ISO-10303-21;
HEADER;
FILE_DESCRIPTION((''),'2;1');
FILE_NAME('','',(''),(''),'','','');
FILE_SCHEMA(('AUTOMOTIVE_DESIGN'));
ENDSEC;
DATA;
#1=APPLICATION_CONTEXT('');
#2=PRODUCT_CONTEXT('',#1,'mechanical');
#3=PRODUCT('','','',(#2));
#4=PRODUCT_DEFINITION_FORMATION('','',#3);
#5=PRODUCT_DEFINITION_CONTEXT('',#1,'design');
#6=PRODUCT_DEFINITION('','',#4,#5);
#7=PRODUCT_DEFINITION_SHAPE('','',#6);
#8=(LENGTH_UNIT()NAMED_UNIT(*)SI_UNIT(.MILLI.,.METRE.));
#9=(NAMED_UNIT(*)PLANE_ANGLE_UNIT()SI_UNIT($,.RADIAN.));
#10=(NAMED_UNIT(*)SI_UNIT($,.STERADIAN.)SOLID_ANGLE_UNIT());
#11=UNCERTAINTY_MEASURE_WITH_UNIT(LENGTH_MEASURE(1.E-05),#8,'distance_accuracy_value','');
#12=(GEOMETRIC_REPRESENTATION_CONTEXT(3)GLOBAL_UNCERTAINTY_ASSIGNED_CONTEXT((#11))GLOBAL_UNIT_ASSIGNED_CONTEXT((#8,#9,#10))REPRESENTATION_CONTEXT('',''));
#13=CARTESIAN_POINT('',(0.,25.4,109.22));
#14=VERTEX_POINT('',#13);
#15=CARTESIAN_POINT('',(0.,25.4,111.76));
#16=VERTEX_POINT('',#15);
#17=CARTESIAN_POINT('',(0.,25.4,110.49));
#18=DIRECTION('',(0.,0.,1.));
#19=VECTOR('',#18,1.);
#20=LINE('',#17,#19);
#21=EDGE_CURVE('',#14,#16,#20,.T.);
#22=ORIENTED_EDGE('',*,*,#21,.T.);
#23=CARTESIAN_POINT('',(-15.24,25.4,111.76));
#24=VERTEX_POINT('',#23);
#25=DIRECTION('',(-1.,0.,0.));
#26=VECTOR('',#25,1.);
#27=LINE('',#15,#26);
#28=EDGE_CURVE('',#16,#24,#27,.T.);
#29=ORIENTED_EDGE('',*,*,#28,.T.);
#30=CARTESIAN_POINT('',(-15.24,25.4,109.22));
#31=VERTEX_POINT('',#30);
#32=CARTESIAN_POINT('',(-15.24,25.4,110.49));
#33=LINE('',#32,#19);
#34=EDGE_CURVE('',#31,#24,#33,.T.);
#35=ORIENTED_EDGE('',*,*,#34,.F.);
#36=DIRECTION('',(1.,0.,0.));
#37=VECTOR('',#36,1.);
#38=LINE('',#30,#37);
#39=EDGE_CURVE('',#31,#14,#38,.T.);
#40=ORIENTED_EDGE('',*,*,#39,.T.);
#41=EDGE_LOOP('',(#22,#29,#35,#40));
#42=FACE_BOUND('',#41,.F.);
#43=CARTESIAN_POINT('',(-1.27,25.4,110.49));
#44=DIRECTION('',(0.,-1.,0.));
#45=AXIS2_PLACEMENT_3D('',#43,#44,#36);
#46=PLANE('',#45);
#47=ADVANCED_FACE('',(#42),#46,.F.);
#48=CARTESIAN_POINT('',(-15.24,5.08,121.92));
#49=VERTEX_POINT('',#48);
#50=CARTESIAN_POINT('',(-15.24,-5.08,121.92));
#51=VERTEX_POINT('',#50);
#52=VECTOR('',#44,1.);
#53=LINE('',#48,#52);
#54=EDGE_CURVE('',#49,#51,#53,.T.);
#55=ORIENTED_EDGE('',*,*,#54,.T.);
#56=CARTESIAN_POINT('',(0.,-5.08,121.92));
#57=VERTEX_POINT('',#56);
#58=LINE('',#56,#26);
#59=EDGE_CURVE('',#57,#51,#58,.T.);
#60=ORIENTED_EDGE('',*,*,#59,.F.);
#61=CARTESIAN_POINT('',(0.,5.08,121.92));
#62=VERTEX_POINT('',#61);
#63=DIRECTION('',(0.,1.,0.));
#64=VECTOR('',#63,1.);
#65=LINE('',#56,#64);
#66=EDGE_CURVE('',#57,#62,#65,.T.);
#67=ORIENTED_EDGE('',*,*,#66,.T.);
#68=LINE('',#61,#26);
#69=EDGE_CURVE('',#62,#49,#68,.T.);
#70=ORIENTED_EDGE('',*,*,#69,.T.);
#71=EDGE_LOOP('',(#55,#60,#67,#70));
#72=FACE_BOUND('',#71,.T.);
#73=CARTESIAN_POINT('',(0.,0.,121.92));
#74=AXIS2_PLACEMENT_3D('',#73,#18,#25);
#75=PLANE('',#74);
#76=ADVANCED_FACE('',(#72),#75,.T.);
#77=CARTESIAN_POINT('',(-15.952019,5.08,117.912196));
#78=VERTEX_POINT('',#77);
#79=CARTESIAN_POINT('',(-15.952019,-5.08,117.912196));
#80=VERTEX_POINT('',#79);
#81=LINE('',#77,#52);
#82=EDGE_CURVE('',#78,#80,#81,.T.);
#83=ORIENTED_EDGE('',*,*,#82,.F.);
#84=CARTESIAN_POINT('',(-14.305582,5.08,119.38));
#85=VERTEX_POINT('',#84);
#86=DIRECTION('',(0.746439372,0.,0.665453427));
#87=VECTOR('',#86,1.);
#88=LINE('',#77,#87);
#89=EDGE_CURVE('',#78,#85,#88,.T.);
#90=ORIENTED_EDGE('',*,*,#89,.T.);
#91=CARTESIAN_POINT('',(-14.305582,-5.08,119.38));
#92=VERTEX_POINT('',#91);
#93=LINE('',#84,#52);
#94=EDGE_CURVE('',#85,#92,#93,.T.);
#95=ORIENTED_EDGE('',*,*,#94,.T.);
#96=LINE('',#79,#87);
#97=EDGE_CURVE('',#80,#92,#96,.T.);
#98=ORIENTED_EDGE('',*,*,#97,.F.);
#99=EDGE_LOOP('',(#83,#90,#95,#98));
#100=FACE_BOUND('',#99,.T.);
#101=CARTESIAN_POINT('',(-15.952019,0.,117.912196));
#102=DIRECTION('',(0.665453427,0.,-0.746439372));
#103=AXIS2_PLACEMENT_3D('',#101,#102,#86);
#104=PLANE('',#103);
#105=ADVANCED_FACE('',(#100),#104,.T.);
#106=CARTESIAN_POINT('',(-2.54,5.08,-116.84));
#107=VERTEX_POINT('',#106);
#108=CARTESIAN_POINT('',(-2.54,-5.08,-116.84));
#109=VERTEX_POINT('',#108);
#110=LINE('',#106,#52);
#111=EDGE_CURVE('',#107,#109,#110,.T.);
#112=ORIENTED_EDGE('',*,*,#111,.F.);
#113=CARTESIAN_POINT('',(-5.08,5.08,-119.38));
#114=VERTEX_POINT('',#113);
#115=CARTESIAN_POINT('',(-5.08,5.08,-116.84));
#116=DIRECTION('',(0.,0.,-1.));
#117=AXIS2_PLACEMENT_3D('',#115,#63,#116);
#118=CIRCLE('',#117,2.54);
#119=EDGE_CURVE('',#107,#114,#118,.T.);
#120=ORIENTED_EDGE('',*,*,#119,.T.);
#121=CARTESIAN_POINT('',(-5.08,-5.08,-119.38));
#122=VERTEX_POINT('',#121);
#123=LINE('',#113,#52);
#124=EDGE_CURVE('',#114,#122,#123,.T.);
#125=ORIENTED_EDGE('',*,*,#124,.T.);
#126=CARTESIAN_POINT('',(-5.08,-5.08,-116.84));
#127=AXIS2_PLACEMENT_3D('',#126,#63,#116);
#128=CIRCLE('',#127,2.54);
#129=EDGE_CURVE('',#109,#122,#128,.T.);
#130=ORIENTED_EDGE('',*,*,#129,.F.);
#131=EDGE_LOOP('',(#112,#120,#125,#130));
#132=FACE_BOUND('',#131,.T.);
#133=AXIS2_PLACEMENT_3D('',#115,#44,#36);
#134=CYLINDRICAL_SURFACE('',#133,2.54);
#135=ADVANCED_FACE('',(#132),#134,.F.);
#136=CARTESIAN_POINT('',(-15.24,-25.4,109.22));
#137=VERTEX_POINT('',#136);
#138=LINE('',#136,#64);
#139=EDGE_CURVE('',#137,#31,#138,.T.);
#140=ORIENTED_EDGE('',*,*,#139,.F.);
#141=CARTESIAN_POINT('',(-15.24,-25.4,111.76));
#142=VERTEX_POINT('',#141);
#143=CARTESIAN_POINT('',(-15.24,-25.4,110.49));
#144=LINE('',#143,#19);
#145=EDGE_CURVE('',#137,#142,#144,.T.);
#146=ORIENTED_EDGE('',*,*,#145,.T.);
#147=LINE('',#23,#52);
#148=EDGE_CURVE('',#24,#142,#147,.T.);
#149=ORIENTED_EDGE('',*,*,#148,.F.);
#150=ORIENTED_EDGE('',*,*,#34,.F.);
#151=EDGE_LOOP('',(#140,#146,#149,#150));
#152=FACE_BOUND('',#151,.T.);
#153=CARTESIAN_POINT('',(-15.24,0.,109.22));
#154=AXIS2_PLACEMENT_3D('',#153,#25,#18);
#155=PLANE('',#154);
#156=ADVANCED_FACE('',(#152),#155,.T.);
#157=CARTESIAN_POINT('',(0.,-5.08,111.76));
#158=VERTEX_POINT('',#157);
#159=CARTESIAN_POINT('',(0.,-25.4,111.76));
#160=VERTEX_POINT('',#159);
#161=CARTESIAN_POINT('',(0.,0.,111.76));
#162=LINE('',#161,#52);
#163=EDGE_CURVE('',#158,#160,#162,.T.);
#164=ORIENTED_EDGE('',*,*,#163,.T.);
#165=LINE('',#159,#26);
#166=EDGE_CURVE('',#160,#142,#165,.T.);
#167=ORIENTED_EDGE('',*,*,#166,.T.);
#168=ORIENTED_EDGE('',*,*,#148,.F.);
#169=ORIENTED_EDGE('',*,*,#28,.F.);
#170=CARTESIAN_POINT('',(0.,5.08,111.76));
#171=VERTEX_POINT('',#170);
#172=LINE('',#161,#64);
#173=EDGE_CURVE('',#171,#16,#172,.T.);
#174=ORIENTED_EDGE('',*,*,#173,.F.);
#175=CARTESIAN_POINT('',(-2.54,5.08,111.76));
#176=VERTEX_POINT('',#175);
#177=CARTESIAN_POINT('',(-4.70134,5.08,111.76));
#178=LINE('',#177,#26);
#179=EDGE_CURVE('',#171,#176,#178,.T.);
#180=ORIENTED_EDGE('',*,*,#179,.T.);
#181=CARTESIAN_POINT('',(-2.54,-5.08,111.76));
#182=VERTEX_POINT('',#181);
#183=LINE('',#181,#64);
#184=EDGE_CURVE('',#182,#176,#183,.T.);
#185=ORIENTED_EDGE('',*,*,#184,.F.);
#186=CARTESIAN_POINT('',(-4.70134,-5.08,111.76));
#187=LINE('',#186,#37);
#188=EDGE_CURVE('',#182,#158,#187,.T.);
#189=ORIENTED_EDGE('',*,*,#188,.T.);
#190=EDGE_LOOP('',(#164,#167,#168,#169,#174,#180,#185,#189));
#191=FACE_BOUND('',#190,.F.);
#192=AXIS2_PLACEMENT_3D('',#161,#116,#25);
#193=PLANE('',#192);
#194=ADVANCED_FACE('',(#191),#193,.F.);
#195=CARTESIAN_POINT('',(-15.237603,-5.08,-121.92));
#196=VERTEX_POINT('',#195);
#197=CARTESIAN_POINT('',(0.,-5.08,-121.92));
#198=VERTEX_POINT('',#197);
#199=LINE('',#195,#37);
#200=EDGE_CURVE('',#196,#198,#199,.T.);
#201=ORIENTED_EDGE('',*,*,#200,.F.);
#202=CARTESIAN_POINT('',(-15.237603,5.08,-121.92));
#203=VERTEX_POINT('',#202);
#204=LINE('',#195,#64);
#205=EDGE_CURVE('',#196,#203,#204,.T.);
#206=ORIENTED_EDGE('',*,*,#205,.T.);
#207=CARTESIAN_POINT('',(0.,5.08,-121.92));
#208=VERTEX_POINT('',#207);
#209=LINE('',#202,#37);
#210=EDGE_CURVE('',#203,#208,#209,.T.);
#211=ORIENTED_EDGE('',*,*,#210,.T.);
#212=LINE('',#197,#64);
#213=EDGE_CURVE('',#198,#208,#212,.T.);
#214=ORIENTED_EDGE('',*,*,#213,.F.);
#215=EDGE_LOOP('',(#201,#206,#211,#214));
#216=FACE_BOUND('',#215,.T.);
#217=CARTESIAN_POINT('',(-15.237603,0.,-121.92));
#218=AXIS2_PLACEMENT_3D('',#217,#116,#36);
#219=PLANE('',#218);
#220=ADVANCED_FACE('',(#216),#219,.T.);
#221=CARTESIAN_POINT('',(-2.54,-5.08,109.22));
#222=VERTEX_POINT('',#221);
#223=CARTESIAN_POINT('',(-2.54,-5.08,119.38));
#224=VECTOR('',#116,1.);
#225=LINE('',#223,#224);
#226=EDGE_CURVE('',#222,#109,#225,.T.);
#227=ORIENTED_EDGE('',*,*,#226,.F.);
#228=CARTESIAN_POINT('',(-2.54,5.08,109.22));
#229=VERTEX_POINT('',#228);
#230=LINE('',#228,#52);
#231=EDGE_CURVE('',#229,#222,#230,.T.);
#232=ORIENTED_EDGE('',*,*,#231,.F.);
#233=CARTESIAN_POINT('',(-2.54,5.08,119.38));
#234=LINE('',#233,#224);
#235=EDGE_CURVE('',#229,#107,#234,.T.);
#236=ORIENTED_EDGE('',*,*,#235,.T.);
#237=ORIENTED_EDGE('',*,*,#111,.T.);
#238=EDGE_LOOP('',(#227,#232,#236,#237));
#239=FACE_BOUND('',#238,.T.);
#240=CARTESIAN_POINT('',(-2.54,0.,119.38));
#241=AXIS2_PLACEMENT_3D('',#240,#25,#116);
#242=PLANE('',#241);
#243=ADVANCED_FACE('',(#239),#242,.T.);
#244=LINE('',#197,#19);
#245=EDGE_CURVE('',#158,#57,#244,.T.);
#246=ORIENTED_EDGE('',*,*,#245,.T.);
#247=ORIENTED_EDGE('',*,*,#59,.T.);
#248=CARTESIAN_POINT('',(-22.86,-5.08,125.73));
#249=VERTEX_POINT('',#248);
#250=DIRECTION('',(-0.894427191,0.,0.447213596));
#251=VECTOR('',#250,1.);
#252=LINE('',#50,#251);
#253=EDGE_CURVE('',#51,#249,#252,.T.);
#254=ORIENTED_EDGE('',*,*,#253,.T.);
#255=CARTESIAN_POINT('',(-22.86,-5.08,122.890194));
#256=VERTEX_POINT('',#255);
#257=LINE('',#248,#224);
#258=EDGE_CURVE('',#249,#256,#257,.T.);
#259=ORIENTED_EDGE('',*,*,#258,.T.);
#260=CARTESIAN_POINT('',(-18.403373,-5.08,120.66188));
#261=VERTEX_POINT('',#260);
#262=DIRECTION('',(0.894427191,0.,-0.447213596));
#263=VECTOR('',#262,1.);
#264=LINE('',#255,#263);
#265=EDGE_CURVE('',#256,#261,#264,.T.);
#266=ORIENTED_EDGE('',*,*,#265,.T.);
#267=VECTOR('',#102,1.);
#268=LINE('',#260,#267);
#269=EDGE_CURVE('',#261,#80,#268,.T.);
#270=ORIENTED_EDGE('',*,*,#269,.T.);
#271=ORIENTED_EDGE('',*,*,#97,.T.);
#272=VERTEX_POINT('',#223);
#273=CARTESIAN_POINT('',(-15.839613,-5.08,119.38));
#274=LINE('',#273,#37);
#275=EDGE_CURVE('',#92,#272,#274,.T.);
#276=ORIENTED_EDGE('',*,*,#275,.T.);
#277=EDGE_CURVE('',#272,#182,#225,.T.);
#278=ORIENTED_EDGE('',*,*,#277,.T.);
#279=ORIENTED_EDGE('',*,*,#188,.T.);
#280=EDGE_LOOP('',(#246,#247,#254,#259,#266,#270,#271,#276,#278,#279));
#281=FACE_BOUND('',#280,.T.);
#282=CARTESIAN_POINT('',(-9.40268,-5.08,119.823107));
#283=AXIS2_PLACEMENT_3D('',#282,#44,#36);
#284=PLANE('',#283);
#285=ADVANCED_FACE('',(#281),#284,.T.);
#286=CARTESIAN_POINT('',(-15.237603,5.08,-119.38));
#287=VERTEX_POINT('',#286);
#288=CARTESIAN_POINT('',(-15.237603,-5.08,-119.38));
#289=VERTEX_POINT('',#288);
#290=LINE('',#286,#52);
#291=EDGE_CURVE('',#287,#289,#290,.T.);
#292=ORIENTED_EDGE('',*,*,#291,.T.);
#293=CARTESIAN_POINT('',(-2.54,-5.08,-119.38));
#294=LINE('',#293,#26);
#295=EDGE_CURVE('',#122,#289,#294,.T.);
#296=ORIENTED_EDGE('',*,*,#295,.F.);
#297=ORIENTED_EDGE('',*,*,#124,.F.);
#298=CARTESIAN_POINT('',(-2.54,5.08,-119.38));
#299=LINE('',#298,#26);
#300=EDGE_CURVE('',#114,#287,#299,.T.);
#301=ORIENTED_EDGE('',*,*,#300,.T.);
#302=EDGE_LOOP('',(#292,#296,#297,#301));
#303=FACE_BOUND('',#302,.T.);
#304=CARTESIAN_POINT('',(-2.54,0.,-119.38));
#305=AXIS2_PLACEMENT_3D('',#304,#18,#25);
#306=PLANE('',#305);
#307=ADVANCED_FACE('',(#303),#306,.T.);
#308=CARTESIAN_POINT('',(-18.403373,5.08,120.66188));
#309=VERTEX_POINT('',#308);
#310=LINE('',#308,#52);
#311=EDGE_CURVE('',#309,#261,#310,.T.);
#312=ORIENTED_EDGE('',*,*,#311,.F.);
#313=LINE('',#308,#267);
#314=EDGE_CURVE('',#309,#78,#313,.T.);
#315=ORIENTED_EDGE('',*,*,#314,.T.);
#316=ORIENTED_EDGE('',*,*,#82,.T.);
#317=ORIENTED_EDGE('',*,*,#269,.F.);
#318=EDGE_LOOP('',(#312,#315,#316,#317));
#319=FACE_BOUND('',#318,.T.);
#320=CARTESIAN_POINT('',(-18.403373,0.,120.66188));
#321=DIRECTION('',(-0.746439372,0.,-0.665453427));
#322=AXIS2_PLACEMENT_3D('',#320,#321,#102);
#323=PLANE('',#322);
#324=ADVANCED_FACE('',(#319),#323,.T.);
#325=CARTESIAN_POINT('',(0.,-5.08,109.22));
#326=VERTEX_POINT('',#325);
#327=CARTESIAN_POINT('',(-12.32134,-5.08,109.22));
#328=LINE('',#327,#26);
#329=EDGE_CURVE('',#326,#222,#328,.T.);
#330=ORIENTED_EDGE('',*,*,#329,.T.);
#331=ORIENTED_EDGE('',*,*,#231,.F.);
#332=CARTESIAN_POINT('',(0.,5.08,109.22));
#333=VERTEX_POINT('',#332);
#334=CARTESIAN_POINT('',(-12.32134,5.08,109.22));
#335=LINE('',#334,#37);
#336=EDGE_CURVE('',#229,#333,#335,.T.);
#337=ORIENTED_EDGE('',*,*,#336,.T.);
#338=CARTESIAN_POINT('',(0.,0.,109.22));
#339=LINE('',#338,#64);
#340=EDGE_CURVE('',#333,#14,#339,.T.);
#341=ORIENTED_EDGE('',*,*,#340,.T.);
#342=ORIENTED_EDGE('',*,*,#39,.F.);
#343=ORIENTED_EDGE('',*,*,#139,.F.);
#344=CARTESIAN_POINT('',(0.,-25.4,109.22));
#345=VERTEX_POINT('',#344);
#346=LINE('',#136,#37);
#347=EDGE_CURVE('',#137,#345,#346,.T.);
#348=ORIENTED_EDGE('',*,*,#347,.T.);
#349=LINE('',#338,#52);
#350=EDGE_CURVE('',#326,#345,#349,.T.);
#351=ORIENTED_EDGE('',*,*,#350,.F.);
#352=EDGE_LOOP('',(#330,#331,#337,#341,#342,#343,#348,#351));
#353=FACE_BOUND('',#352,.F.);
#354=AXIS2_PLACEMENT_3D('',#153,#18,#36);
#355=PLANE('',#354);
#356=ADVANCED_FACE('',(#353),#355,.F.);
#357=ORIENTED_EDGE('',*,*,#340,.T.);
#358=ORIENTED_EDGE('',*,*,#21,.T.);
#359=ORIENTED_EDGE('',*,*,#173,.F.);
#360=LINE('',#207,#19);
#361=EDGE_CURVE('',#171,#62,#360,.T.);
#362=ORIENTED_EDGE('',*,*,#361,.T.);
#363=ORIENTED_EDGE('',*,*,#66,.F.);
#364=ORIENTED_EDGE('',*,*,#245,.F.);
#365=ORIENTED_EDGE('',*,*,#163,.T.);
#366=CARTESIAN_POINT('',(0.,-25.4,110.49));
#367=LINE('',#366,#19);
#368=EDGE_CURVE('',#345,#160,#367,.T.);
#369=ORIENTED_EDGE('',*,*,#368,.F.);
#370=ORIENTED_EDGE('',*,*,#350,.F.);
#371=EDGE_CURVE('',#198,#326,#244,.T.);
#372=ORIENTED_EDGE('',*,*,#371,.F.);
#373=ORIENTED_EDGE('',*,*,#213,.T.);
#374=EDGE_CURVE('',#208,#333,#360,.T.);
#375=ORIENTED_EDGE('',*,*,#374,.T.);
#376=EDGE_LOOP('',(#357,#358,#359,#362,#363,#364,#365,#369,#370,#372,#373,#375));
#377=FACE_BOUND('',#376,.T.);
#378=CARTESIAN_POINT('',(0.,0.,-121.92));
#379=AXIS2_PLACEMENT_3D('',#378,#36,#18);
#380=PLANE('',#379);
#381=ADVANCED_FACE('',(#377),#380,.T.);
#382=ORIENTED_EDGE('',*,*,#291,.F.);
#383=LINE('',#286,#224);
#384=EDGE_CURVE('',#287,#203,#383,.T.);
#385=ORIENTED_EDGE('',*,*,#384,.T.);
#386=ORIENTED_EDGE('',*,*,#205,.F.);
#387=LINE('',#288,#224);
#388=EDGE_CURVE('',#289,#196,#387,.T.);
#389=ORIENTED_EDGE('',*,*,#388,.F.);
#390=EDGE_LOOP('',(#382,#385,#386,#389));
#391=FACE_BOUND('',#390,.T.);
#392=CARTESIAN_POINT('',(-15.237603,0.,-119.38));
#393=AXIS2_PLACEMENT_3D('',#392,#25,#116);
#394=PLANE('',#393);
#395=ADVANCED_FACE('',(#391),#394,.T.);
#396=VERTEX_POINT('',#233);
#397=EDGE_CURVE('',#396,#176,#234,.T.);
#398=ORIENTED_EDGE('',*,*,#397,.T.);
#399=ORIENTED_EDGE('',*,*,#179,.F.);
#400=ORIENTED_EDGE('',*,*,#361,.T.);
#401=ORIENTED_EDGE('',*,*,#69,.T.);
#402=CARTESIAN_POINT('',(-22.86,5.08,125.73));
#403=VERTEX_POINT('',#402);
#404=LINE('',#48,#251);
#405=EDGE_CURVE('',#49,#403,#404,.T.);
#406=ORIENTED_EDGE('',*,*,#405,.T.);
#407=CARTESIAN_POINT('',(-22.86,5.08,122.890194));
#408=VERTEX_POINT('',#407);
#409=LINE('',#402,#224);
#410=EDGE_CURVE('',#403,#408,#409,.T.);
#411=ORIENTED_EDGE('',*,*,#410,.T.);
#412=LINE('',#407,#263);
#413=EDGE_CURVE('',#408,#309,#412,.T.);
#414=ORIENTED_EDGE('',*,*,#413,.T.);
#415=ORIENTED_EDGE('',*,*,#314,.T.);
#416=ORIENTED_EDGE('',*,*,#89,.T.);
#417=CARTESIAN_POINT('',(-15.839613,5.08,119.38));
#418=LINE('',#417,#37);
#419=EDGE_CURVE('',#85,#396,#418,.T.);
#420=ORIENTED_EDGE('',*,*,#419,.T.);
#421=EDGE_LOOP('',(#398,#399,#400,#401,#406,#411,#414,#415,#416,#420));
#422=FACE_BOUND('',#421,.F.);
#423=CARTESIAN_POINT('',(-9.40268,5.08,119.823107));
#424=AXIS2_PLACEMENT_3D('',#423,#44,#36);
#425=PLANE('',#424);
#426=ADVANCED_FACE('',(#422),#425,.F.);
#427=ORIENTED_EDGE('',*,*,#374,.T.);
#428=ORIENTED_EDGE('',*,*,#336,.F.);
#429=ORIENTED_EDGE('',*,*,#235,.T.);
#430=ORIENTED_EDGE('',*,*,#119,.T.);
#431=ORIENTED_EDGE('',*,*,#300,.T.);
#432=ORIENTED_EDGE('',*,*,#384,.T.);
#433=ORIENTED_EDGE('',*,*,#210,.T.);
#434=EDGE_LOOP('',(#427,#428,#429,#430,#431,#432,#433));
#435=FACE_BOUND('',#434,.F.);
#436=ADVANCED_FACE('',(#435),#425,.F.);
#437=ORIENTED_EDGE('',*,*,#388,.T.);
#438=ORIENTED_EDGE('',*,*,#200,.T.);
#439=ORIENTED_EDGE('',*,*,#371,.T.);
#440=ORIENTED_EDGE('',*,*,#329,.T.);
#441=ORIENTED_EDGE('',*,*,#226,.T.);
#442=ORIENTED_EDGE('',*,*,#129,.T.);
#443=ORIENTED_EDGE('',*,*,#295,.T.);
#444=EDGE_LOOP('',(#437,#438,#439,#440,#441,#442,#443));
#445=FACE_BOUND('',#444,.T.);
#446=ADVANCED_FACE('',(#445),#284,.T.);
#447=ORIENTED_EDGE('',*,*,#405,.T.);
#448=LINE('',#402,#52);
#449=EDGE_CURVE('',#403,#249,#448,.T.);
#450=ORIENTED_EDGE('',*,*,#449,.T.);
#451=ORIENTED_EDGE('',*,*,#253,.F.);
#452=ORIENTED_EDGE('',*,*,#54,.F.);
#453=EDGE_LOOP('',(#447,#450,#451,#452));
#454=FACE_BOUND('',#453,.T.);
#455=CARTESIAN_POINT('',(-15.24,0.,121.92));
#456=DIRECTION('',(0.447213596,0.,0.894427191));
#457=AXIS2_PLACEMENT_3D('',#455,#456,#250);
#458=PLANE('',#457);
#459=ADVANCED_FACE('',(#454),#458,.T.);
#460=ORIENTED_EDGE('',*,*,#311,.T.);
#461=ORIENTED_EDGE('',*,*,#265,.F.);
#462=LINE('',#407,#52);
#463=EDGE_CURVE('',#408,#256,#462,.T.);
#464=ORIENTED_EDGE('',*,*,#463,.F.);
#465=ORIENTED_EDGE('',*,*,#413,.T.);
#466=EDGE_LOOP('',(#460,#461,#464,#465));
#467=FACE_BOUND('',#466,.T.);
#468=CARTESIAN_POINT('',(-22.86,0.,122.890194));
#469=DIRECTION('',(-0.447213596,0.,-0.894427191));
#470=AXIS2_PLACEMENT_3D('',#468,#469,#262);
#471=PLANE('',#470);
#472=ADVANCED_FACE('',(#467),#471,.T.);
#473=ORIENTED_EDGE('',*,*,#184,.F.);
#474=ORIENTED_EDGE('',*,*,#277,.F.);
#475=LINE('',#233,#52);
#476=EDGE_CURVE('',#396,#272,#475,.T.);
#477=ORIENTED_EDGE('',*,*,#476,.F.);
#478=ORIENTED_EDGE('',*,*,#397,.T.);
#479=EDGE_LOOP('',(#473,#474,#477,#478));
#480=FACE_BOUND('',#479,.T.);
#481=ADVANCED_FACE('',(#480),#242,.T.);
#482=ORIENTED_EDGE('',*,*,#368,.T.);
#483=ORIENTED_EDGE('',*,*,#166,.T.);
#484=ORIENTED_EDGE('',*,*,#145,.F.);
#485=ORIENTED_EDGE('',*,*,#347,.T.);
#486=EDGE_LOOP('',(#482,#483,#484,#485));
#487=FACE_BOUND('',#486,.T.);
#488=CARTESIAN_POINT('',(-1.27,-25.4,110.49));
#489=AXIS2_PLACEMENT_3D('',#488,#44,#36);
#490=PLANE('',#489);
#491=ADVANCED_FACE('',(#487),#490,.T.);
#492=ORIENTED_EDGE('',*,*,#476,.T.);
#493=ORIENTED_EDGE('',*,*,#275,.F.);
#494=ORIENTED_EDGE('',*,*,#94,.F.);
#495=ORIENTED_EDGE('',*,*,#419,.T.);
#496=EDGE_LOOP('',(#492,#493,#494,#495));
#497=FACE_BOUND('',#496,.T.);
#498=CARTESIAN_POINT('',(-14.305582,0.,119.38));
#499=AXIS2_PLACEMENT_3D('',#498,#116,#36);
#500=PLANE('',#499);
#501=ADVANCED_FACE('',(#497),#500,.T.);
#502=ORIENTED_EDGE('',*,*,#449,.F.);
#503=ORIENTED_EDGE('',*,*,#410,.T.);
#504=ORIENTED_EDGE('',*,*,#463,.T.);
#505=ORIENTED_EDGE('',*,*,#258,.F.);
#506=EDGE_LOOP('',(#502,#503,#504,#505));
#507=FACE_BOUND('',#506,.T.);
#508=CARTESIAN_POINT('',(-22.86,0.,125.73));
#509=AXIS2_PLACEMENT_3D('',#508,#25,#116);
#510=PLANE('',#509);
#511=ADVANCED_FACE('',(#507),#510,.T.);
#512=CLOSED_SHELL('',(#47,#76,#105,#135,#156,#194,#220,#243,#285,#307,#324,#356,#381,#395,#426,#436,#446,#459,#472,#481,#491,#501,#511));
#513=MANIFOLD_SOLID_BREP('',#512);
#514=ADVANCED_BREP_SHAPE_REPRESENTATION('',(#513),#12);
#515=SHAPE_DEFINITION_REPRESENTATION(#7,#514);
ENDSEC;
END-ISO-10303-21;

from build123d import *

# Parameters (mm, degrees)
F0_W          = 2.54
F0_H          = 2.54
F1_DEPTH      = 5.08
F1_DEPTH_BACK = 5.08
F0_W_2        = 12.7
F2_DEPTH      = 25.4
F2_DEPTH_BACK = 25.4
F3_R          = 2.54


with BuildPart() as f1:
    # F0 (on Front) → F1 (new body, two sides)
    with BuildSketch(Plane.XZ) as f1_sk:
        Polygon((-2.54, 111.76), (0, 111.76), (0, 121.92), (-15.24, 121.92), (-22.86, 125.73), (-22.86, 122.8901936686), (-18.4033727053, 120.6618800212), (-15.8396126628, 119.38), (-14.30558227, 119.38), (-2.54, 119.38), align=None)
        Polygon((-15.2376033366, -121.92), (0, -121.92), (0, 109.22), (-2.54, 109.22), (-2.54, -119.38), (-15.2376033366, -119.38), align=None)
        with Locations((-1.27, 110.49)):
            Rectangle(F0_W, F0_H)
        Polygon((-15.9520190209, 117.9121956229), (-14.30558227, 119.38), (-15.8396126628, 119.38), (-18.4033727053, 120.6618800212), align=None)
    extrude(amount=F1_DEPTH)
    extrude(f1_sk.sketch, amount=-F1_DEPTH_BACK)

    # F0 (on Front) → F2 (join, two sides)
    with BuildSketch(Plane.XZ) as f2_sk:
        with Locations((-1.27, 110.49)):
            Rectangle(F0_W, F0_H)
        with Locations((-8.89, 110.49)):
            Rectangle(F0_W_2, F0_H)
    extrude(amount=F2_DEPTH)
    extrude(f2_sk.sketch, amount=-F2_DEPTH_BACK)

    # F3
    f3_edges = [f1.edges().sort_by_distance(p)[0] for p in [
        (-2.54, 0, -119.38),
    ]]
    fillet(f3_edges, radius=F3_R)


solid = f1.part
